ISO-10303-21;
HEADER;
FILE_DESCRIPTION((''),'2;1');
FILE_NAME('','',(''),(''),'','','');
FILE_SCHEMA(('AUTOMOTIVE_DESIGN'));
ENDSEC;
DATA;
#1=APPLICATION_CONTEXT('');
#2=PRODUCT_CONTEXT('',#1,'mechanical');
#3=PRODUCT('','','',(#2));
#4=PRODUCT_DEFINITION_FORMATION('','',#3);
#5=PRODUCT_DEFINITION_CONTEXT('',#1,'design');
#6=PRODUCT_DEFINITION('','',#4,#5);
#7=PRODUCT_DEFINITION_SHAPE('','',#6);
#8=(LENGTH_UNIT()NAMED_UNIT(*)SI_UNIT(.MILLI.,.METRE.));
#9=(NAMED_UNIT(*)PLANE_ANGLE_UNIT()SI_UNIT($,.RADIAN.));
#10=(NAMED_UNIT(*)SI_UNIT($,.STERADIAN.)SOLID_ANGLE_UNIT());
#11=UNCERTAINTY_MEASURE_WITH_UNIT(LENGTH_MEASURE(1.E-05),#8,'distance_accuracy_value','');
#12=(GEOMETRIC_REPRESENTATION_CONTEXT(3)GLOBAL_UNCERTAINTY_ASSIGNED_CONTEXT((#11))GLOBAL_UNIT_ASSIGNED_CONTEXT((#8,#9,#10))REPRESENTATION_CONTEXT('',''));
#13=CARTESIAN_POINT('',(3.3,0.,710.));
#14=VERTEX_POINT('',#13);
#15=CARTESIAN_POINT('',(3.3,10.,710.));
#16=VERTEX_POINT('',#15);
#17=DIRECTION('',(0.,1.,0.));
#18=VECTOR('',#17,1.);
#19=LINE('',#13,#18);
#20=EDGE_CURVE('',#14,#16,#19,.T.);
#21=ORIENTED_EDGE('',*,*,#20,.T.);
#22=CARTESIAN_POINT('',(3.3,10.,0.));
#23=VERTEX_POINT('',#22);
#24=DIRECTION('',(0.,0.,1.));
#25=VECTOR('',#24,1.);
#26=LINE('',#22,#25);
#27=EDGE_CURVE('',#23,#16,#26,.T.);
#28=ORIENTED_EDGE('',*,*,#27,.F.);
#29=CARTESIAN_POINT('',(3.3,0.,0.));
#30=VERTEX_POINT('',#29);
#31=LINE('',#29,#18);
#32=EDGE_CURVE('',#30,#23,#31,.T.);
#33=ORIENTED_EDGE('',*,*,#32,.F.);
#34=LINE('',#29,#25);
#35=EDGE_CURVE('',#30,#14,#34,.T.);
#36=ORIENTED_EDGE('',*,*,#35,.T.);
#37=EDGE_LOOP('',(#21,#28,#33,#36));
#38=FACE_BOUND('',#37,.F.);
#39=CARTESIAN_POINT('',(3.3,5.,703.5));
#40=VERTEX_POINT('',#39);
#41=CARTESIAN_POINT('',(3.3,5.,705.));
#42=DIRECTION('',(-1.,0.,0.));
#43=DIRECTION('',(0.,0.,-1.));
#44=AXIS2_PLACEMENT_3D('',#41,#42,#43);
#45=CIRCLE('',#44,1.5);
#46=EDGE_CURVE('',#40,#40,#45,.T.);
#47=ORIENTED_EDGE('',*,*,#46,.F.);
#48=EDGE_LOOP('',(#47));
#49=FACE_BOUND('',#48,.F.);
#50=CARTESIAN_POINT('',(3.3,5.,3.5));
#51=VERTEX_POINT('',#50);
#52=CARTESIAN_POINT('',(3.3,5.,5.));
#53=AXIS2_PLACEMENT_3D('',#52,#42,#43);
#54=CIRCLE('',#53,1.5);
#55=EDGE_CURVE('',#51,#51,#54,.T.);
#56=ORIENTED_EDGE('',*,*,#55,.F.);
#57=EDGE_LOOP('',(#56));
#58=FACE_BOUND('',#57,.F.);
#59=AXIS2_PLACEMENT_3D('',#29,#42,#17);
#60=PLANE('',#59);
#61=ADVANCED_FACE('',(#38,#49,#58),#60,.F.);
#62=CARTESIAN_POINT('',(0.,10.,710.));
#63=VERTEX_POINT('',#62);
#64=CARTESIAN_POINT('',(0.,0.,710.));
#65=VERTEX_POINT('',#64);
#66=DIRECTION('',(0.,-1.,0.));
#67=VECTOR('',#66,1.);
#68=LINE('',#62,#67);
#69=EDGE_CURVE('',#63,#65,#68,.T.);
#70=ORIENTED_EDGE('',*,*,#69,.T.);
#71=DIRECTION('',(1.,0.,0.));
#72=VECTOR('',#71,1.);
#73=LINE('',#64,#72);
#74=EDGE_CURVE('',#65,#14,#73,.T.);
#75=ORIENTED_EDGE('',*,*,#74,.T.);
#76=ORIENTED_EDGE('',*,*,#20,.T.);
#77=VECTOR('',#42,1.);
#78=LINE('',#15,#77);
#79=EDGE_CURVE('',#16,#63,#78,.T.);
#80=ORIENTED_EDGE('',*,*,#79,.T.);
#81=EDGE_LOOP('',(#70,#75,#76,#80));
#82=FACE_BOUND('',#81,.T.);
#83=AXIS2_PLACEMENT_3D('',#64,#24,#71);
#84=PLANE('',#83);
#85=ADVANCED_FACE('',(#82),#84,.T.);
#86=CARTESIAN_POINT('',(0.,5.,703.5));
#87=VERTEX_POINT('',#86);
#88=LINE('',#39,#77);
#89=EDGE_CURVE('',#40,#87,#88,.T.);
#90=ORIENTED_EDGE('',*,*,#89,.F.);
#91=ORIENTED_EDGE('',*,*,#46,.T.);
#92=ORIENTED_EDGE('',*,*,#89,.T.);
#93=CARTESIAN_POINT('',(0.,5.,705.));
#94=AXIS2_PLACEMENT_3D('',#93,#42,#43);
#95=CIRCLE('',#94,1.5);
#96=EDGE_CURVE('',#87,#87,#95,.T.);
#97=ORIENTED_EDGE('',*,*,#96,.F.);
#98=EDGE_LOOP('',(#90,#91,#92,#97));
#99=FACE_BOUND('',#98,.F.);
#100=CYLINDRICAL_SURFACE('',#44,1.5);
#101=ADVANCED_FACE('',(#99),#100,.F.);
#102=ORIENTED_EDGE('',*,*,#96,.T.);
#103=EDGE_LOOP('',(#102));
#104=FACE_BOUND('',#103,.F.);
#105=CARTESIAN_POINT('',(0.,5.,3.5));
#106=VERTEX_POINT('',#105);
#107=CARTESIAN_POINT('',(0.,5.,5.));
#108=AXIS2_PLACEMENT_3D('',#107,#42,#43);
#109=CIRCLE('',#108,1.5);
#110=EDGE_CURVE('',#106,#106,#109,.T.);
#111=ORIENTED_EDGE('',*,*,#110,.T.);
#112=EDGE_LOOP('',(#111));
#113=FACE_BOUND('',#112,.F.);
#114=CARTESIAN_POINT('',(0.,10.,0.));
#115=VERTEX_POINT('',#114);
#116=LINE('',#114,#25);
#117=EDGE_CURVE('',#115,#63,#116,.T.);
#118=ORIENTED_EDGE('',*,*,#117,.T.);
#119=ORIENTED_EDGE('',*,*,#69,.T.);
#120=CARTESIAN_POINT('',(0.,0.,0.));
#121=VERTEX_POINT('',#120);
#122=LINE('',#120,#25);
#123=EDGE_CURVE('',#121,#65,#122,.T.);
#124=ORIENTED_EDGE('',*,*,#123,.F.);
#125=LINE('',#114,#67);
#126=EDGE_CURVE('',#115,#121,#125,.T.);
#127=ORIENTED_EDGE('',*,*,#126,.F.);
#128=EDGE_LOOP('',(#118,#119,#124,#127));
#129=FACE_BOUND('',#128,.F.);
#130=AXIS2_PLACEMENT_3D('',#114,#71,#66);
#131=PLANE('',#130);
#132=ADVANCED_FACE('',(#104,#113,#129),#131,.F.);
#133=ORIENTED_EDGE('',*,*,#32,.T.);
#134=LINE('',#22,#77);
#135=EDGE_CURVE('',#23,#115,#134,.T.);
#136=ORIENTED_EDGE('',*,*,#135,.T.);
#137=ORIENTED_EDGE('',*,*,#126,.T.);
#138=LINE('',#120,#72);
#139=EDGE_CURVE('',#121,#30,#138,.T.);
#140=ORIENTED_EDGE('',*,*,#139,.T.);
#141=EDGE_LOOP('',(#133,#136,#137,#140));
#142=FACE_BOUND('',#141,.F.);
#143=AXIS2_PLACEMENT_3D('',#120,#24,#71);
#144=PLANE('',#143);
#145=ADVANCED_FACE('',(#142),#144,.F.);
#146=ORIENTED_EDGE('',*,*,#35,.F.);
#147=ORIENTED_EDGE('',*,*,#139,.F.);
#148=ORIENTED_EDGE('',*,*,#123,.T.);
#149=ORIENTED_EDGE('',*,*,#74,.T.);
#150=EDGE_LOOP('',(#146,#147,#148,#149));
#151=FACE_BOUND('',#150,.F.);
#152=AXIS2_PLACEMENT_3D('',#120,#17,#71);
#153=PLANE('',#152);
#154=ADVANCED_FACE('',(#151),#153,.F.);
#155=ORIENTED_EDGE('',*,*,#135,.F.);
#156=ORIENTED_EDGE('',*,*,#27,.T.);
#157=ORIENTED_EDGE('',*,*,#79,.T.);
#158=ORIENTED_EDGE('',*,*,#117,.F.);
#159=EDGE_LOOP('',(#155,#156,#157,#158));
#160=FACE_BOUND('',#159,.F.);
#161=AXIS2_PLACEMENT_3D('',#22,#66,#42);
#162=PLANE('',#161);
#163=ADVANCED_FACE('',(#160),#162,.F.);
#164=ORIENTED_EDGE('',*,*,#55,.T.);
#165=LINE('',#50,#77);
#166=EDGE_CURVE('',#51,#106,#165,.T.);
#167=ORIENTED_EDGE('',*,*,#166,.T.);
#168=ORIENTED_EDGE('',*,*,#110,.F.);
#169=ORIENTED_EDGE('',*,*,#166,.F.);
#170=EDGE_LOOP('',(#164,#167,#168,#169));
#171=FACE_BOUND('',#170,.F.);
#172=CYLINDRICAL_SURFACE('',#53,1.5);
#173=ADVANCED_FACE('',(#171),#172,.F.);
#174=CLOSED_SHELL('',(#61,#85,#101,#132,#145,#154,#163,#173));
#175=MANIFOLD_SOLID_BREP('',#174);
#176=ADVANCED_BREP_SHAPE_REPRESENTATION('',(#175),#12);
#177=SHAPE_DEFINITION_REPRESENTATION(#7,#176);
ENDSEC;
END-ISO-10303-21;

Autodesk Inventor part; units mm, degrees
ref_plane "YZ Plane" through (0, 0, 0) normal (1, 0, 0) x (0, 1, 0)
ref_plane "XZ Plane" through (0, 0, 0) normal (0, 1, 0) x (-1, 0, 0)
ref_plane "XY Plane" through (0, 0, 0) normal (0, 0, 1) x (1, 0, 0)
sketch "スケッチ1" plane through (0, 0, 0) normal (0, 0, 1) x (1, 0, 0)
  line L0 (0, 0) -> (3.3, 0)
  line L1 (3.3, 0) -> (3.3, 10)
  line L2 (3.3, 10) -> (0, 10)
  line L3 (0, 10) -> (0, 0)
  dimension "d0" = 3.3
  dimension "d1" = 10
extrude "押し出し1" add sketch "スケッチ1" along normal blind 710
sketch "スケッチ2" plane through (3.3, 10, 710) normal (1, 0, 0) x (0, 0, -1)
  line L0 (710, -10) -> (710, 0) projected
  line L1 (710, 0) -> (0, 0) projected
  line L2 (0, -10) -> (0, 0) projected
  point P0 (705, -5)
  point P1 (5, -5)
  dimension "d4" = 5
  dimension "d5" = 5
  dimension "d6" = 5
  dimension "d7" = 5
hole "穴1" at (3.3, 5, 5) at (3.3, 5, 705) direction (-1, 0, 0) diameter 3 end through all
properties part number "DR成形フレキラックDR1-2000KHK" material "ABS プラスチック"
